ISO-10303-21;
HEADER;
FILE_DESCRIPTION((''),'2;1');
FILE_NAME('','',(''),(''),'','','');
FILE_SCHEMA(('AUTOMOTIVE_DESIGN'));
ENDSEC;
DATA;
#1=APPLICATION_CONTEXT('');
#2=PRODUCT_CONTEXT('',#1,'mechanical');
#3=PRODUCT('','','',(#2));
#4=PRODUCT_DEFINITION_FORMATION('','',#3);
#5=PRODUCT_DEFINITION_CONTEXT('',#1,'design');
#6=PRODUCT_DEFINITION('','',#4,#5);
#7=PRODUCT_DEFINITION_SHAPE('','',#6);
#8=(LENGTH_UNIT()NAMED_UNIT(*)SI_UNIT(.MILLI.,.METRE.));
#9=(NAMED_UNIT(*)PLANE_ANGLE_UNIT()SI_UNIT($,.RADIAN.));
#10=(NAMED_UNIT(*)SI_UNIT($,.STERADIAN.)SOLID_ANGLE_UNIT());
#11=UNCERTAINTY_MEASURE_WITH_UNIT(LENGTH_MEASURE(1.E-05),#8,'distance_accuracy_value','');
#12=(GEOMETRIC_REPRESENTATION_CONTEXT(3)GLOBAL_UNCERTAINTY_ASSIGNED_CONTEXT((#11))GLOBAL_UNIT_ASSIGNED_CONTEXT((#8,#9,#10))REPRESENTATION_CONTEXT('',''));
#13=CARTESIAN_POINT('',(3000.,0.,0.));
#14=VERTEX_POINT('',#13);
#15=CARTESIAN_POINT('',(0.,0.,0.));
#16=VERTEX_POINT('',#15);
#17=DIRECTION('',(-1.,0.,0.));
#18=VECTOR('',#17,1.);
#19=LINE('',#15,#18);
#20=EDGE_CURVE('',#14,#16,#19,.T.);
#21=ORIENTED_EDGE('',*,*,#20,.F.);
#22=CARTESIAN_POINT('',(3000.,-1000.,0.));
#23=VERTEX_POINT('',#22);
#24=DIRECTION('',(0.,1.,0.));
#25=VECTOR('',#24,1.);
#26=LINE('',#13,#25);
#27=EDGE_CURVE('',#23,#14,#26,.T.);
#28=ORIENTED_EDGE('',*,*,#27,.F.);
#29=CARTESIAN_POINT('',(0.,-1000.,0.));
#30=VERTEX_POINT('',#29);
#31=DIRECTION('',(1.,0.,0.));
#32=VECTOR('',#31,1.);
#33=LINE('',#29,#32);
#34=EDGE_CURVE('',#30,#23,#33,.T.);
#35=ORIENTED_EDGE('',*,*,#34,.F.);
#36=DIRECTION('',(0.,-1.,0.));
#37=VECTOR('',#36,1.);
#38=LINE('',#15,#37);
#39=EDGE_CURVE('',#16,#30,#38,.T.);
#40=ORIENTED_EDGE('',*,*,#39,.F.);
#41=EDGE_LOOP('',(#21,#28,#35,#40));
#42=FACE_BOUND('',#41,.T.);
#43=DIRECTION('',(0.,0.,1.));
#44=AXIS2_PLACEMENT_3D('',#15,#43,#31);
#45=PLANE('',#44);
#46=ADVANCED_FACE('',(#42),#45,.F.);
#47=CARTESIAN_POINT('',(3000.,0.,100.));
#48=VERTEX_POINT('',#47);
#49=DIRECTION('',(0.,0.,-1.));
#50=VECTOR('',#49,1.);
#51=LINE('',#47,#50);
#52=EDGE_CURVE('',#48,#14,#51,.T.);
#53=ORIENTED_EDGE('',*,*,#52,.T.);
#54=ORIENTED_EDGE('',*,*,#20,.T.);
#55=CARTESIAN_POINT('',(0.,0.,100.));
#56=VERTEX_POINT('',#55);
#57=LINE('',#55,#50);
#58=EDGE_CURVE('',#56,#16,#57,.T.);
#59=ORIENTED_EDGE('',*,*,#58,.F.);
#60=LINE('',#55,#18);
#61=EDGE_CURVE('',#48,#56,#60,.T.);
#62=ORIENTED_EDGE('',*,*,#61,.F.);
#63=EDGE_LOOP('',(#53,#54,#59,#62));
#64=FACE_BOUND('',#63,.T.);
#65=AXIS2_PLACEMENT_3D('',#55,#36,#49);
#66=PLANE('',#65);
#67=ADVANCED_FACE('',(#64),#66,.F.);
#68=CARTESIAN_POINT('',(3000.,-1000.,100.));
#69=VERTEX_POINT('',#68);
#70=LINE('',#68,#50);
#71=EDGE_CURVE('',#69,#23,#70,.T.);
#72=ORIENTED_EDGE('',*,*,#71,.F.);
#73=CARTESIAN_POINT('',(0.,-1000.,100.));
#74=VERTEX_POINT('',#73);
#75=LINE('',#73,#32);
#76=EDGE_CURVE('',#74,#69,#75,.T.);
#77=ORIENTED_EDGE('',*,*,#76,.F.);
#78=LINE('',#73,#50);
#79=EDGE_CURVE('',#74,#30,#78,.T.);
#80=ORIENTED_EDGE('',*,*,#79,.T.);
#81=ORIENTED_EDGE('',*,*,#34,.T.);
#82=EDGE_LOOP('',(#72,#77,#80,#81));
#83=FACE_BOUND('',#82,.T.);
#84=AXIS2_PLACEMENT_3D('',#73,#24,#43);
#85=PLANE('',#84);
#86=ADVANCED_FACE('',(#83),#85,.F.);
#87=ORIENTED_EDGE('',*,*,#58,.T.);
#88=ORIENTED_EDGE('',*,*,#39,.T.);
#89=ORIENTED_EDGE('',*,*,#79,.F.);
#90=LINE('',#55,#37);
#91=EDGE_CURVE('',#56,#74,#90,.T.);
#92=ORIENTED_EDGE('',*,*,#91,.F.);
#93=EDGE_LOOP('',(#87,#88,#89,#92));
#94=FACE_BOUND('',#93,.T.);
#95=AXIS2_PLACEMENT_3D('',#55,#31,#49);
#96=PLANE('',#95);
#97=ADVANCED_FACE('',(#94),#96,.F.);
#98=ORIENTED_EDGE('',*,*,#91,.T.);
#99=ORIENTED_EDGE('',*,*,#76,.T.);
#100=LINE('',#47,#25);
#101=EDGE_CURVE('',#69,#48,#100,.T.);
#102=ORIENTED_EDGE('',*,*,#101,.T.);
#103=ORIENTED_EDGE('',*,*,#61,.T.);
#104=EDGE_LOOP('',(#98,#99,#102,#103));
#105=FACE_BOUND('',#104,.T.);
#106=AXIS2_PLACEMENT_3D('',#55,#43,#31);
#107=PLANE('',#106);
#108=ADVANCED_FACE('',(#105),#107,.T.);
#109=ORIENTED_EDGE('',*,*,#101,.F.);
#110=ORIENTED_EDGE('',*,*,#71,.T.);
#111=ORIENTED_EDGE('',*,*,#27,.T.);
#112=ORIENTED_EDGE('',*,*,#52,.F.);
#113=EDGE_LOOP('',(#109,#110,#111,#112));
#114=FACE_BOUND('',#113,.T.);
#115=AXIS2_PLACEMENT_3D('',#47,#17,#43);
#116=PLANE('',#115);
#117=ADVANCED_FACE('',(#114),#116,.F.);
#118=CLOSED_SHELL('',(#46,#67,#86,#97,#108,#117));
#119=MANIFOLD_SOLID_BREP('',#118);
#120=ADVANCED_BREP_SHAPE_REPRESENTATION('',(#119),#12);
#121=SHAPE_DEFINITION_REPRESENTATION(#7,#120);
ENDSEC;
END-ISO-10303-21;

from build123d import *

# Parameters (mm, degrees)
SKETCH_1_W      = 3000
SKETCH_1_H      = 1000
EXTRUDE_1_DEPTH = 100


with BuildPart() as part:
    # Эскиз1 → Бобышка-Вытянуть1 (new body)
    with BuildSketch(Plane.XY):
        with Locations((1500, -500)):
            Rectangle(SKETCH_1_W, SKETCH_1_H)
    extrude(amount=EXTRUDE_1_DEPTH)


solid = part.part
